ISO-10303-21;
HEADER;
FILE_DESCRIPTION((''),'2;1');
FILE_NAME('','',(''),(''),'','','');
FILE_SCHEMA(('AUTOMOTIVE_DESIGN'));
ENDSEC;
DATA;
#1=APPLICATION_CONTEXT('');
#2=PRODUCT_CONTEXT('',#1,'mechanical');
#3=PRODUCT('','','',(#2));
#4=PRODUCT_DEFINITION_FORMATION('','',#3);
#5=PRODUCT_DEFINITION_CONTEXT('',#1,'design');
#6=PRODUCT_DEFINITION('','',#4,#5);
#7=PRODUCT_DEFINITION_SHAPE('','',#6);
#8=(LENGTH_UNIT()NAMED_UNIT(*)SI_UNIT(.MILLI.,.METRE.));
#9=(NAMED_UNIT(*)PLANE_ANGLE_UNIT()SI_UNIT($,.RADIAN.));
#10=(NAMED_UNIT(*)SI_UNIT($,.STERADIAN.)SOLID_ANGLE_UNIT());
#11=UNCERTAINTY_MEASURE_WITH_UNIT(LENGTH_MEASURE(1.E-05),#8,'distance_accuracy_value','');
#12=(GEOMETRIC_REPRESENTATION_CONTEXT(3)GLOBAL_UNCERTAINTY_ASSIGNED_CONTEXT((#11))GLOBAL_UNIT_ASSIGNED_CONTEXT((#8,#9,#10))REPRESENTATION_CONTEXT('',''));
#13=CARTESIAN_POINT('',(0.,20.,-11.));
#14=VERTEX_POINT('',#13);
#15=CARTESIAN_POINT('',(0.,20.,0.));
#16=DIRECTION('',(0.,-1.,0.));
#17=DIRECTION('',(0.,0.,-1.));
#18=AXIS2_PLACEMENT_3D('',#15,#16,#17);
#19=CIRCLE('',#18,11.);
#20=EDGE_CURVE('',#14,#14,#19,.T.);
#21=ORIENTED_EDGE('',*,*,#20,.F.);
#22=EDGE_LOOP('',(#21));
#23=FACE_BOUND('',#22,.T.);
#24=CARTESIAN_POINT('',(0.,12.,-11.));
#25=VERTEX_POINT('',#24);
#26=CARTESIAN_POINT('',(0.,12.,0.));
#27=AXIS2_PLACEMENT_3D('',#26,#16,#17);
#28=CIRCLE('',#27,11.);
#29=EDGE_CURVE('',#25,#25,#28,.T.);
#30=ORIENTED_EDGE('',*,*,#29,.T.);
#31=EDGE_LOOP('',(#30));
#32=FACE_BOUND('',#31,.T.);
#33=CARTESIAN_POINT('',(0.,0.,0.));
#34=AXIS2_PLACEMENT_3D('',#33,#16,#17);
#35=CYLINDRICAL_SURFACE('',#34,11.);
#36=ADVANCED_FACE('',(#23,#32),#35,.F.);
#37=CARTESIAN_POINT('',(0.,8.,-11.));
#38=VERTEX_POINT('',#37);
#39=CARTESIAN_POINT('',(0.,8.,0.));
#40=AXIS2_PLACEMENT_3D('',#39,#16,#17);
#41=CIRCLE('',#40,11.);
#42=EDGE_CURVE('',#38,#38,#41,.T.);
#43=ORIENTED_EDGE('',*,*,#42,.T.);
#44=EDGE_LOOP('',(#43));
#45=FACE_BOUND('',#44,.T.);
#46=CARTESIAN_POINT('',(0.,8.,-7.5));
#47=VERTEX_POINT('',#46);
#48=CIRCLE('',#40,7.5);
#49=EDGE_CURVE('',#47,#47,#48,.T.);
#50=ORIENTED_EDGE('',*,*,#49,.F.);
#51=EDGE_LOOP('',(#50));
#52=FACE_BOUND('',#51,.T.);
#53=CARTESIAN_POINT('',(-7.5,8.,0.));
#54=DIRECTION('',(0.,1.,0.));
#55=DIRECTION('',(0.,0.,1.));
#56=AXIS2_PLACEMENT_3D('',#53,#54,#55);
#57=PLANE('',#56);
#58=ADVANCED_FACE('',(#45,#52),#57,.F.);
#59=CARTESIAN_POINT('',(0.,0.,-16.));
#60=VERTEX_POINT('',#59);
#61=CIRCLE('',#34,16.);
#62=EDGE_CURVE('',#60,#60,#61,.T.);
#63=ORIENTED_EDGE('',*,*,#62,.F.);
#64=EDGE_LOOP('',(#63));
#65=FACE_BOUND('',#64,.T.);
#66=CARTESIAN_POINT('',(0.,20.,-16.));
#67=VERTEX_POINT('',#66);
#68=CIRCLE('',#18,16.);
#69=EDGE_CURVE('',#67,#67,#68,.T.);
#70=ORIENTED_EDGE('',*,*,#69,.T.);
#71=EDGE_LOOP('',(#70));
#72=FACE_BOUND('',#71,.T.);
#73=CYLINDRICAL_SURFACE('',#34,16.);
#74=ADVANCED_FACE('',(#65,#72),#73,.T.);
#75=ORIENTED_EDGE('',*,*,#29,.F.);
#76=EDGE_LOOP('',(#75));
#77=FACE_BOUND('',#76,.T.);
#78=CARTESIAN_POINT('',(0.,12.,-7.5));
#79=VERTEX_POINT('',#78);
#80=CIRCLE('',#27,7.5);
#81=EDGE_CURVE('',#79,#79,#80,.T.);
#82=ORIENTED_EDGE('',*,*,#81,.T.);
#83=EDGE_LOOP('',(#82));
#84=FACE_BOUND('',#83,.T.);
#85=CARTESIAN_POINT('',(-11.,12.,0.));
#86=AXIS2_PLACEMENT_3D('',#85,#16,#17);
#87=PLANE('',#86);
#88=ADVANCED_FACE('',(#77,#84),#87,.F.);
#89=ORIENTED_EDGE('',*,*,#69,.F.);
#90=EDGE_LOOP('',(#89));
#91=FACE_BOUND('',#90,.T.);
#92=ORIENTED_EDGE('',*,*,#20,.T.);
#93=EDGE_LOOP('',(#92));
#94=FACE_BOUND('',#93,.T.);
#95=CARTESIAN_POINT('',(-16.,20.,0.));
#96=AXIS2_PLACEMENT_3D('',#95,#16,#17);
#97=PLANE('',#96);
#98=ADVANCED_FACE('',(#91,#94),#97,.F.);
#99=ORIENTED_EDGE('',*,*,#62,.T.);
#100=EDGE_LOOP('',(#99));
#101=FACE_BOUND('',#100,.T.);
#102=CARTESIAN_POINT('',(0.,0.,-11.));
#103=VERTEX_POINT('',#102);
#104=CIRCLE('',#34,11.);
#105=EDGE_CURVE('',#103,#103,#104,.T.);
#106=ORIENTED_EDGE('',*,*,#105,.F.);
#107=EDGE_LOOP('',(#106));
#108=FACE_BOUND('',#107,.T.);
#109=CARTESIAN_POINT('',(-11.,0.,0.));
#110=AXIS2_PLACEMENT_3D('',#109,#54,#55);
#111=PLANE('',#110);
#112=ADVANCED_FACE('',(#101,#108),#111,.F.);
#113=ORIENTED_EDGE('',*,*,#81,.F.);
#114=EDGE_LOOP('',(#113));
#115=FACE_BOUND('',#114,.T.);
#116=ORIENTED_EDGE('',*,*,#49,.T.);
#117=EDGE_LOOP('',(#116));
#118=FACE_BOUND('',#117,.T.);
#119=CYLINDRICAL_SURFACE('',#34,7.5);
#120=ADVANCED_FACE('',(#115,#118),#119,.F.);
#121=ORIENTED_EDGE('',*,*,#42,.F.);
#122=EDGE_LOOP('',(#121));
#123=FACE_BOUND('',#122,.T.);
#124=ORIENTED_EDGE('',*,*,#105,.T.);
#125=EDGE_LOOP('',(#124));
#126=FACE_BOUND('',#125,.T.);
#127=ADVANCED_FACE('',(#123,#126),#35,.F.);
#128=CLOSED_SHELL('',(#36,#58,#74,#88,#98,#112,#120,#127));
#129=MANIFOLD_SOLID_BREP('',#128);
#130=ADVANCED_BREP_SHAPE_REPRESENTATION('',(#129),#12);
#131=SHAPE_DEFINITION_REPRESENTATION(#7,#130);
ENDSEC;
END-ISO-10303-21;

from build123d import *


with BuildPart() as part:
    # Sketch4 → Revolve1 (revolve)
    with BuildSketch(Plane.XY):
        Polygon((-11, 0), (-16, 0), (-16, 20), (-11, 20), (-11, 12), (-7.5, 12), (-7.5, 8), (-11, 8), align=None)
    revolve(axis=Axis((0, 0, 0), (0, 1, 0)))


solid = part.part
